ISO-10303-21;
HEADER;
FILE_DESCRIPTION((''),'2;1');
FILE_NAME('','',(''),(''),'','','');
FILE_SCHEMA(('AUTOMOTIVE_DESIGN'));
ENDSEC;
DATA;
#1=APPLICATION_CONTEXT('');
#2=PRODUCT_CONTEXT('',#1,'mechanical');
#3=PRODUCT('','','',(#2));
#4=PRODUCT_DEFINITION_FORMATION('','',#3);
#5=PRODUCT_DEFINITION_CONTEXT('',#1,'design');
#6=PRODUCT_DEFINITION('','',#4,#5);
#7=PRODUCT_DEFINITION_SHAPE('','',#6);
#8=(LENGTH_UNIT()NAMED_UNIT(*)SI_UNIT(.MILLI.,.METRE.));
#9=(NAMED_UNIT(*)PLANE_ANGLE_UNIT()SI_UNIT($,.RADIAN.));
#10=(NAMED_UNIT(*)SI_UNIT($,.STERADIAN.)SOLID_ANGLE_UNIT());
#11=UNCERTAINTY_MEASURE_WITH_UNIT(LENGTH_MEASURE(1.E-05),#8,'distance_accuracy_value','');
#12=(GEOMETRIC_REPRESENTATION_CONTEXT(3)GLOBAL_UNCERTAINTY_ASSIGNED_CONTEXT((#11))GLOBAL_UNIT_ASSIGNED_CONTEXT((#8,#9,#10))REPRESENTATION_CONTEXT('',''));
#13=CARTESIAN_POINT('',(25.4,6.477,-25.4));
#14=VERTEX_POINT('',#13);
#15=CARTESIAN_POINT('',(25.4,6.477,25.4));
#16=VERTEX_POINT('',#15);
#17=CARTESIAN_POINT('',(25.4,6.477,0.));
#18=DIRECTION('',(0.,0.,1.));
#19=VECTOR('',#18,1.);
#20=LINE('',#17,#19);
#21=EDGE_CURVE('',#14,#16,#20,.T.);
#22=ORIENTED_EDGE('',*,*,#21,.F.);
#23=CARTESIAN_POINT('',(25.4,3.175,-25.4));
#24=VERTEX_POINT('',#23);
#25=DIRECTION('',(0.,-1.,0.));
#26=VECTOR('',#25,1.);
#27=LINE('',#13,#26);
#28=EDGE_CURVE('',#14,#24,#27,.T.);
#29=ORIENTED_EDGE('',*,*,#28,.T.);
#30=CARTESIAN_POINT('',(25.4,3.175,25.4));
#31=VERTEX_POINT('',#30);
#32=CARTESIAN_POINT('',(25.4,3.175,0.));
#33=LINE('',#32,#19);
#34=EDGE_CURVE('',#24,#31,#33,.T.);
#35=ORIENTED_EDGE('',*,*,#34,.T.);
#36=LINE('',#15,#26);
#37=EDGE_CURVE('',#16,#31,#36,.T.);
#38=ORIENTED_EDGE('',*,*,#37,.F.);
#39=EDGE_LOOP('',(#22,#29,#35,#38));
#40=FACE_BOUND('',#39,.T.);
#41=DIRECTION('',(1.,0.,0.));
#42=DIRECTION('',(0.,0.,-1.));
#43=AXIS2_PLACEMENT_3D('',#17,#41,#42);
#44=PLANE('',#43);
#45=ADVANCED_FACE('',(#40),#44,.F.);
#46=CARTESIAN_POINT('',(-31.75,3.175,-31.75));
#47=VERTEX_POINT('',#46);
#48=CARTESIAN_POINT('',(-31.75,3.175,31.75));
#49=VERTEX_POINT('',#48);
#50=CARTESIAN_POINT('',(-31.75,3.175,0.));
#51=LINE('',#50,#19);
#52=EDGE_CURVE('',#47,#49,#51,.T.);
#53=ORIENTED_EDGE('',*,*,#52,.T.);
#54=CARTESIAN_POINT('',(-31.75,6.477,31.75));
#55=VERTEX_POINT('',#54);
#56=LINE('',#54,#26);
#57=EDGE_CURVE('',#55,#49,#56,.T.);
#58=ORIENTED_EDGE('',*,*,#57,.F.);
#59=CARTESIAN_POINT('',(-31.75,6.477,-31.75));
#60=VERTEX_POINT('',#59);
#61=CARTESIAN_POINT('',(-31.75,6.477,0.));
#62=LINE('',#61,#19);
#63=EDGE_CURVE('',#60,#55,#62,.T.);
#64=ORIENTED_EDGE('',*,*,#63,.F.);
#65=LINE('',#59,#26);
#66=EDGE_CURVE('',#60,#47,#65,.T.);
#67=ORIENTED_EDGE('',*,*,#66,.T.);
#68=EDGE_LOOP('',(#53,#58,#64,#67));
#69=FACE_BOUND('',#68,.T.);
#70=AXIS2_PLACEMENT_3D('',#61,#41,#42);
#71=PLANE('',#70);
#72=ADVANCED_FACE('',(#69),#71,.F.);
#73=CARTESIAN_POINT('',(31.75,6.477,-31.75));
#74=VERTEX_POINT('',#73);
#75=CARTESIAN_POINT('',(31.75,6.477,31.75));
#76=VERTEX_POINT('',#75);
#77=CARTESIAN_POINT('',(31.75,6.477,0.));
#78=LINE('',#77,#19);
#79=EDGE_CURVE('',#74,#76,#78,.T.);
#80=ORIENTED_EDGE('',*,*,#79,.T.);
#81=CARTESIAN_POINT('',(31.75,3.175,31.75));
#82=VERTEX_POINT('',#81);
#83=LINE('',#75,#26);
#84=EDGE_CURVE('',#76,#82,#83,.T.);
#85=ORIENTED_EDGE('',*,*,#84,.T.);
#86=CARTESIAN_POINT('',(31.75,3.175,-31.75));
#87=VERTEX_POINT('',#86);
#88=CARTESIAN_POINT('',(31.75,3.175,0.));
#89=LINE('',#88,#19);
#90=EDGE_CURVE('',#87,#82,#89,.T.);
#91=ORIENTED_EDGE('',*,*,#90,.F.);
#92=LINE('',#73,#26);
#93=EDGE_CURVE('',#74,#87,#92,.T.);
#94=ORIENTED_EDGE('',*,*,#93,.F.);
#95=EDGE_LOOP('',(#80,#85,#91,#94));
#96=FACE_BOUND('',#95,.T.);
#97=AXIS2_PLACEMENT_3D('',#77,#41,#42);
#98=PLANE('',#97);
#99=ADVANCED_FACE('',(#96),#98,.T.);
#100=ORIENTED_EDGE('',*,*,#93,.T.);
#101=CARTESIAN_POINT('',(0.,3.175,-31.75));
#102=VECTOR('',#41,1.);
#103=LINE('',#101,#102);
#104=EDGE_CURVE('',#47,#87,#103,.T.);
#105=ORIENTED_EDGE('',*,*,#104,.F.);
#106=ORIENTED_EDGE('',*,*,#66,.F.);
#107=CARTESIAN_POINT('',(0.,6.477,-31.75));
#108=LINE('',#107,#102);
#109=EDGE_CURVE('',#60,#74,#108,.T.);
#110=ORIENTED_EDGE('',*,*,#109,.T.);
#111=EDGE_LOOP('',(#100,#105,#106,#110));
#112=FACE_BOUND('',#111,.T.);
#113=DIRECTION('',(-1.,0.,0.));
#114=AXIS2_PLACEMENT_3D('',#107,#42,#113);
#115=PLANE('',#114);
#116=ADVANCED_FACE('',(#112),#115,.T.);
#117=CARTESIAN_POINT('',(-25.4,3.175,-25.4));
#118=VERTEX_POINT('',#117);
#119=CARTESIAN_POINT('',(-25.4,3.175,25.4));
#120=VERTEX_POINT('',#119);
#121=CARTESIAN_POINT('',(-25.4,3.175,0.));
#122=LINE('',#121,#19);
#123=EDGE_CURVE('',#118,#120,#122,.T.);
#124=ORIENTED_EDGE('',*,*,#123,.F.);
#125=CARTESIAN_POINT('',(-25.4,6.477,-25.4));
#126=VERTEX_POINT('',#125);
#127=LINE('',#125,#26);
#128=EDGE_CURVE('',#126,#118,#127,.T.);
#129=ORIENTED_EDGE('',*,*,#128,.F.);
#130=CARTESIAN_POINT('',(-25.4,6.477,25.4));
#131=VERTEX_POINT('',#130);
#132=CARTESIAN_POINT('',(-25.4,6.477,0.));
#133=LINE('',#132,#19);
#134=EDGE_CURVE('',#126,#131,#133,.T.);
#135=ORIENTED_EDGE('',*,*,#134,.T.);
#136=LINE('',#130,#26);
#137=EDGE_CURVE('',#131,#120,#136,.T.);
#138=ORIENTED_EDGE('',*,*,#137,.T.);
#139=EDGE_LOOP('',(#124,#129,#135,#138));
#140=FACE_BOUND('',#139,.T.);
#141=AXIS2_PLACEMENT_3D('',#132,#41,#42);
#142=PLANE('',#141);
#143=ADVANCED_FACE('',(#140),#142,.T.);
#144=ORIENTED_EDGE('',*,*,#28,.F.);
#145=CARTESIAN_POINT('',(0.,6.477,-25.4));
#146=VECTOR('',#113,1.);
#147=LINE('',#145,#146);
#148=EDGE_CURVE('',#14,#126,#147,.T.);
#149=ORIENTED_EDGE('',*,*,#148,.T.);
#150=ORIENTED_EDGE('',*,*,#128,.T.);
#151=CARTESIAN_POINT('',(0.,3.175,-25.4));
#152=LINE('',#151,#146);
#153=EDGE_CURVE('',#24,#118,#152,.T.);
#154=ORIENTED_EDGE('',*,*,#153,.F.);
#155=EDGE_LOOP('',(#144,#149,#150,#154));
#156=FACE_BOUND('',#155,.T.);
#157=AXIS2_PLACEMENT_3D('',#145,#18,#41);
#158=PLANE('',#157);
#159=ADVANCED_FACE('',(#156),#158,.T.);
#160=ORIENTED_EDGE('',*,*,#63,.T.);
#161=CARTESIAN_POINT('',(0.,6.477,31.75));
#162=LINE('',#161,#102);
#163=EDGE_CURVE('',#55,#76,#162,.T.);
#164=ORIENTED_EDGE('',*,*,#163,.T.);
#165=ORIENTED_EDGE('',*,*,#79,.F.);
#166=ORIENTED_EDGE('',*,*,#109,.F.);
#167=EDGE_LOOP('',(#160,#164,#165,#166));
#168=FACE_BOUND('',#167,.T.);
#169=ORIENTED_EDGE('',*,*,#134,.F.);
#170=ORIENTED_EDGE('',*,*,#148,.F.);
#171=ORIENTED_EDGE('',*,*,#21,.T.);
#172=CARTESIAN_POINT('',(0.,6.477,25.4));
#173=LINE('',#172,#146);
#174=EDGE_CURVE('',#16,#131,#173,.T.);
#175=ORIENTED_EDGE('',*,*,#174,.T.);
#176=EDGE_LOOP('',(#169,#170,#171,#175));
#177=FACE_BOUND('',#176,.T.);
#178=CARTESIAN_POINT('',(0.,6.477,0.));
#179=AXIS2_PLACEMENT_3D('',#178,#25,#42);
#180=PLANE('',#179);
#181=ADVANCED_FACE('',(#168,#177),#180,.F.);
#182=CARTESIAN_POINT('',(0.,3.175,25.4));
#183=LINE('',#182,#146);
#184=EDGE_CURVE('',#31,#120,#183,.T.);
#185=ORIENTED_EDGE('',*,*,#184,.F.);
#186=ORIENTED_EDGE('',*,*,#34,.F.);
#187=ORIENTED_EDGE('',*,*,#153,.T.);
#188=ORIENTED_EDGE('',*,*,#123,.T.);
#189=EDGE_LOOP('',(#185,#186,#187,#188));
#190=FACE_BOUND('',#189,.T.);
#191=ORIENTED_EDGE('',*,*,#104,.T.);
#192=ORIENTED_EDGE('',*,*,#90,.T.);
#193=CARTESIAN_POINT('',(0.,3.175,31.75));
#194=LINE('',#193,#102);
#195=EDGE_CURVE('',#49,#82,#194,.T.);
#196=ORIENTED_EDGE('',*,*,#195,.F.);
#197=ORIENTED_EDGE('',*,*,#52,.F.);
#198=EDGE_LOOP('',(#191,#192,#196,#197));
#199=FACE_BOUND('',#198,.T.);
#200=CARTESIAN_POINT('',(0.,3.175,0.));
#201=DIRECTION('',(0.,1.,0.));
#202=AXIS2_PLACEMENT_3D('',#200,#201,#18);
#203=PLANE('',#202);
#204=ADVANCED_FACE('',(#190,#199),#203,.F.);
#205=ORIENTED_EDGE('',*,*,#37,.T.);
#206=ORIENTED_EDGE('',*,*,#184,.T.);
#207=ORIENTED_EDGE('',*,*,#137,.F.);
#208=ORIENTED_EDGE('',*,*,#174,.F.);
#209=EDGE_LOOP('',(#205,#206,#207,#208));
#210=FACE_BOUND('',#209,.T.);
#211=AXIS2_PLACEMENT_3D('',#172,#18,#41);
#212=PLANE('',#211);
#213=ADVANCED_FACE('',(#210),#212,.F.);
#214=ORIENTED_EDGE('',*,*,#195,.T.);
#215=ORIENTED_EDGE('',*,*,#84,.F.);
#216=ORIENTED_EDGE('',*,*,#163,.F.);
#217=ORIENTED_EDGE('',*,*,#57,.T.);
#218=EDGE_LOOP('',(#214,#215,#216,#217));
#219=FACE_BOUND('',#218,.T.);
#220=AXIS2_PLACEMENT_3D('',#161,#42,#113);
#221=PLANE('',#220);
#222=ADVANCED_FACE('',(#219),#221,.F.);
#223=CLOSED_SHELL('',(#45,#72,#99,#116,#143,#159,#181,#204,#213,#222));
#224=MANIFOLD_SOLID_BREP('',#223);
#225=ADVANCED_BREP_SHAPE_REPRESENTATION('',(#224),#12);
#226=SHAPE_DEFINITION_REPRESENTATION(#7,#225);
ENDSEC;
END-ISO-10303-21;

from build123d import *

# Parameters (mm, degrees)
SKETCH1_W           = 88.9
SKETCH1_H           = 88.9
SKETCH1_R           = 2.032
SKETCH1_W_2         = 63.5
SKETCH1_H_2         = 63.5
SKETCH1_W_3         = 50.8
SKETCH1_H_3         = 50.8
BOSS_EXTRUDE2_DEPTH = 3.175
BOSS_EXTRUDE3_START = 3.175
SKETCH1_4_W         = 63.5
SKETCH1_4_H         = 63.5
SKETCH1_4_W_2       = 50.8
SKETCH1_4_H_2       = 50.8
BOSS_EXTRUDE3_DEPTH = 3.302
SKETCH2_W           = 88.9
SKETCH2_H           = 88.9
CUT_EXTRUDE1_DEPTH  = 4.175


with BuildPart() as part:
    # Sketch1 → Boss-Extrude2 (new body)
    with BuildSketch(Plane(origin=(0, 0, 0), x_dir=(1, 0, 0), z_dir=(0, 1, 0))):
        Rectangle(SKETCH1_W, SKETCH1_H)
        with Locations((38.1, 38.1)):
            Circle(SKETCH1_R, mode=Mode.SUBTRACT)
        with Locations((-38.1, 38.1)):
            Circle(SKETCH1_R, mode=Mode.SUBTRACT)
        with Locations((38.1, -38.1)):
            Circle(SKETCH1_R, mode=Mode.SUBTRACT)
        with Locations((-38.1, -38.1)):
            Circle(SKETCH1_R, mode=Mode.SUBTRACT)
        Rectangle(SKETCH1_W_2, SKETCH1_H_2, mode=Mode.SUBTRACT)
        Rectangle(SKETCH1_W_3, SKETCH1_H_3)
        Rectangle(SKETCH1_W_2, SKETCH1_H_2)
        Rectangle(SKETCH1_W_3, SKETCH1_H_3, mode=Mode.SUBTRACT)
    extrude(amount=BOSS_EXTRUDE2_DEPTH)

    # Sketch1<4> → Boss-Extrude3 (add)
    with BuildSketch(Plane(origin=(0, 0, 0), x_dir=(1, 0, 0), z_dir=(0, 1, 0)).offset(BOSS_EXTRUDE3_START)):
        Rectangle(SKETCH1_4_W, SKETCH1_4_H)
        Rectangle(SKETCH1_4_W_2, SKETCH1_4_H_2, mode=Mode.SUBTRACT)
    extrude(amount=BOSS_EXTRUDE3_DEPTH)

    # Sketch2 → Cut-Extrude1 (cut, through all)
    with BuildSketch(Plane(origin=(0, 3.175, 0), x_dir=(1, 0, 0), z_dir=(0, 1, 0))):
        Rectangle(SKETCH2_W, SKETCH2_H)
    extrude(amount=-CUT_EXTRUDE1_DEPTH, mode=Mode.SUBTRACT)


solid = part.part
